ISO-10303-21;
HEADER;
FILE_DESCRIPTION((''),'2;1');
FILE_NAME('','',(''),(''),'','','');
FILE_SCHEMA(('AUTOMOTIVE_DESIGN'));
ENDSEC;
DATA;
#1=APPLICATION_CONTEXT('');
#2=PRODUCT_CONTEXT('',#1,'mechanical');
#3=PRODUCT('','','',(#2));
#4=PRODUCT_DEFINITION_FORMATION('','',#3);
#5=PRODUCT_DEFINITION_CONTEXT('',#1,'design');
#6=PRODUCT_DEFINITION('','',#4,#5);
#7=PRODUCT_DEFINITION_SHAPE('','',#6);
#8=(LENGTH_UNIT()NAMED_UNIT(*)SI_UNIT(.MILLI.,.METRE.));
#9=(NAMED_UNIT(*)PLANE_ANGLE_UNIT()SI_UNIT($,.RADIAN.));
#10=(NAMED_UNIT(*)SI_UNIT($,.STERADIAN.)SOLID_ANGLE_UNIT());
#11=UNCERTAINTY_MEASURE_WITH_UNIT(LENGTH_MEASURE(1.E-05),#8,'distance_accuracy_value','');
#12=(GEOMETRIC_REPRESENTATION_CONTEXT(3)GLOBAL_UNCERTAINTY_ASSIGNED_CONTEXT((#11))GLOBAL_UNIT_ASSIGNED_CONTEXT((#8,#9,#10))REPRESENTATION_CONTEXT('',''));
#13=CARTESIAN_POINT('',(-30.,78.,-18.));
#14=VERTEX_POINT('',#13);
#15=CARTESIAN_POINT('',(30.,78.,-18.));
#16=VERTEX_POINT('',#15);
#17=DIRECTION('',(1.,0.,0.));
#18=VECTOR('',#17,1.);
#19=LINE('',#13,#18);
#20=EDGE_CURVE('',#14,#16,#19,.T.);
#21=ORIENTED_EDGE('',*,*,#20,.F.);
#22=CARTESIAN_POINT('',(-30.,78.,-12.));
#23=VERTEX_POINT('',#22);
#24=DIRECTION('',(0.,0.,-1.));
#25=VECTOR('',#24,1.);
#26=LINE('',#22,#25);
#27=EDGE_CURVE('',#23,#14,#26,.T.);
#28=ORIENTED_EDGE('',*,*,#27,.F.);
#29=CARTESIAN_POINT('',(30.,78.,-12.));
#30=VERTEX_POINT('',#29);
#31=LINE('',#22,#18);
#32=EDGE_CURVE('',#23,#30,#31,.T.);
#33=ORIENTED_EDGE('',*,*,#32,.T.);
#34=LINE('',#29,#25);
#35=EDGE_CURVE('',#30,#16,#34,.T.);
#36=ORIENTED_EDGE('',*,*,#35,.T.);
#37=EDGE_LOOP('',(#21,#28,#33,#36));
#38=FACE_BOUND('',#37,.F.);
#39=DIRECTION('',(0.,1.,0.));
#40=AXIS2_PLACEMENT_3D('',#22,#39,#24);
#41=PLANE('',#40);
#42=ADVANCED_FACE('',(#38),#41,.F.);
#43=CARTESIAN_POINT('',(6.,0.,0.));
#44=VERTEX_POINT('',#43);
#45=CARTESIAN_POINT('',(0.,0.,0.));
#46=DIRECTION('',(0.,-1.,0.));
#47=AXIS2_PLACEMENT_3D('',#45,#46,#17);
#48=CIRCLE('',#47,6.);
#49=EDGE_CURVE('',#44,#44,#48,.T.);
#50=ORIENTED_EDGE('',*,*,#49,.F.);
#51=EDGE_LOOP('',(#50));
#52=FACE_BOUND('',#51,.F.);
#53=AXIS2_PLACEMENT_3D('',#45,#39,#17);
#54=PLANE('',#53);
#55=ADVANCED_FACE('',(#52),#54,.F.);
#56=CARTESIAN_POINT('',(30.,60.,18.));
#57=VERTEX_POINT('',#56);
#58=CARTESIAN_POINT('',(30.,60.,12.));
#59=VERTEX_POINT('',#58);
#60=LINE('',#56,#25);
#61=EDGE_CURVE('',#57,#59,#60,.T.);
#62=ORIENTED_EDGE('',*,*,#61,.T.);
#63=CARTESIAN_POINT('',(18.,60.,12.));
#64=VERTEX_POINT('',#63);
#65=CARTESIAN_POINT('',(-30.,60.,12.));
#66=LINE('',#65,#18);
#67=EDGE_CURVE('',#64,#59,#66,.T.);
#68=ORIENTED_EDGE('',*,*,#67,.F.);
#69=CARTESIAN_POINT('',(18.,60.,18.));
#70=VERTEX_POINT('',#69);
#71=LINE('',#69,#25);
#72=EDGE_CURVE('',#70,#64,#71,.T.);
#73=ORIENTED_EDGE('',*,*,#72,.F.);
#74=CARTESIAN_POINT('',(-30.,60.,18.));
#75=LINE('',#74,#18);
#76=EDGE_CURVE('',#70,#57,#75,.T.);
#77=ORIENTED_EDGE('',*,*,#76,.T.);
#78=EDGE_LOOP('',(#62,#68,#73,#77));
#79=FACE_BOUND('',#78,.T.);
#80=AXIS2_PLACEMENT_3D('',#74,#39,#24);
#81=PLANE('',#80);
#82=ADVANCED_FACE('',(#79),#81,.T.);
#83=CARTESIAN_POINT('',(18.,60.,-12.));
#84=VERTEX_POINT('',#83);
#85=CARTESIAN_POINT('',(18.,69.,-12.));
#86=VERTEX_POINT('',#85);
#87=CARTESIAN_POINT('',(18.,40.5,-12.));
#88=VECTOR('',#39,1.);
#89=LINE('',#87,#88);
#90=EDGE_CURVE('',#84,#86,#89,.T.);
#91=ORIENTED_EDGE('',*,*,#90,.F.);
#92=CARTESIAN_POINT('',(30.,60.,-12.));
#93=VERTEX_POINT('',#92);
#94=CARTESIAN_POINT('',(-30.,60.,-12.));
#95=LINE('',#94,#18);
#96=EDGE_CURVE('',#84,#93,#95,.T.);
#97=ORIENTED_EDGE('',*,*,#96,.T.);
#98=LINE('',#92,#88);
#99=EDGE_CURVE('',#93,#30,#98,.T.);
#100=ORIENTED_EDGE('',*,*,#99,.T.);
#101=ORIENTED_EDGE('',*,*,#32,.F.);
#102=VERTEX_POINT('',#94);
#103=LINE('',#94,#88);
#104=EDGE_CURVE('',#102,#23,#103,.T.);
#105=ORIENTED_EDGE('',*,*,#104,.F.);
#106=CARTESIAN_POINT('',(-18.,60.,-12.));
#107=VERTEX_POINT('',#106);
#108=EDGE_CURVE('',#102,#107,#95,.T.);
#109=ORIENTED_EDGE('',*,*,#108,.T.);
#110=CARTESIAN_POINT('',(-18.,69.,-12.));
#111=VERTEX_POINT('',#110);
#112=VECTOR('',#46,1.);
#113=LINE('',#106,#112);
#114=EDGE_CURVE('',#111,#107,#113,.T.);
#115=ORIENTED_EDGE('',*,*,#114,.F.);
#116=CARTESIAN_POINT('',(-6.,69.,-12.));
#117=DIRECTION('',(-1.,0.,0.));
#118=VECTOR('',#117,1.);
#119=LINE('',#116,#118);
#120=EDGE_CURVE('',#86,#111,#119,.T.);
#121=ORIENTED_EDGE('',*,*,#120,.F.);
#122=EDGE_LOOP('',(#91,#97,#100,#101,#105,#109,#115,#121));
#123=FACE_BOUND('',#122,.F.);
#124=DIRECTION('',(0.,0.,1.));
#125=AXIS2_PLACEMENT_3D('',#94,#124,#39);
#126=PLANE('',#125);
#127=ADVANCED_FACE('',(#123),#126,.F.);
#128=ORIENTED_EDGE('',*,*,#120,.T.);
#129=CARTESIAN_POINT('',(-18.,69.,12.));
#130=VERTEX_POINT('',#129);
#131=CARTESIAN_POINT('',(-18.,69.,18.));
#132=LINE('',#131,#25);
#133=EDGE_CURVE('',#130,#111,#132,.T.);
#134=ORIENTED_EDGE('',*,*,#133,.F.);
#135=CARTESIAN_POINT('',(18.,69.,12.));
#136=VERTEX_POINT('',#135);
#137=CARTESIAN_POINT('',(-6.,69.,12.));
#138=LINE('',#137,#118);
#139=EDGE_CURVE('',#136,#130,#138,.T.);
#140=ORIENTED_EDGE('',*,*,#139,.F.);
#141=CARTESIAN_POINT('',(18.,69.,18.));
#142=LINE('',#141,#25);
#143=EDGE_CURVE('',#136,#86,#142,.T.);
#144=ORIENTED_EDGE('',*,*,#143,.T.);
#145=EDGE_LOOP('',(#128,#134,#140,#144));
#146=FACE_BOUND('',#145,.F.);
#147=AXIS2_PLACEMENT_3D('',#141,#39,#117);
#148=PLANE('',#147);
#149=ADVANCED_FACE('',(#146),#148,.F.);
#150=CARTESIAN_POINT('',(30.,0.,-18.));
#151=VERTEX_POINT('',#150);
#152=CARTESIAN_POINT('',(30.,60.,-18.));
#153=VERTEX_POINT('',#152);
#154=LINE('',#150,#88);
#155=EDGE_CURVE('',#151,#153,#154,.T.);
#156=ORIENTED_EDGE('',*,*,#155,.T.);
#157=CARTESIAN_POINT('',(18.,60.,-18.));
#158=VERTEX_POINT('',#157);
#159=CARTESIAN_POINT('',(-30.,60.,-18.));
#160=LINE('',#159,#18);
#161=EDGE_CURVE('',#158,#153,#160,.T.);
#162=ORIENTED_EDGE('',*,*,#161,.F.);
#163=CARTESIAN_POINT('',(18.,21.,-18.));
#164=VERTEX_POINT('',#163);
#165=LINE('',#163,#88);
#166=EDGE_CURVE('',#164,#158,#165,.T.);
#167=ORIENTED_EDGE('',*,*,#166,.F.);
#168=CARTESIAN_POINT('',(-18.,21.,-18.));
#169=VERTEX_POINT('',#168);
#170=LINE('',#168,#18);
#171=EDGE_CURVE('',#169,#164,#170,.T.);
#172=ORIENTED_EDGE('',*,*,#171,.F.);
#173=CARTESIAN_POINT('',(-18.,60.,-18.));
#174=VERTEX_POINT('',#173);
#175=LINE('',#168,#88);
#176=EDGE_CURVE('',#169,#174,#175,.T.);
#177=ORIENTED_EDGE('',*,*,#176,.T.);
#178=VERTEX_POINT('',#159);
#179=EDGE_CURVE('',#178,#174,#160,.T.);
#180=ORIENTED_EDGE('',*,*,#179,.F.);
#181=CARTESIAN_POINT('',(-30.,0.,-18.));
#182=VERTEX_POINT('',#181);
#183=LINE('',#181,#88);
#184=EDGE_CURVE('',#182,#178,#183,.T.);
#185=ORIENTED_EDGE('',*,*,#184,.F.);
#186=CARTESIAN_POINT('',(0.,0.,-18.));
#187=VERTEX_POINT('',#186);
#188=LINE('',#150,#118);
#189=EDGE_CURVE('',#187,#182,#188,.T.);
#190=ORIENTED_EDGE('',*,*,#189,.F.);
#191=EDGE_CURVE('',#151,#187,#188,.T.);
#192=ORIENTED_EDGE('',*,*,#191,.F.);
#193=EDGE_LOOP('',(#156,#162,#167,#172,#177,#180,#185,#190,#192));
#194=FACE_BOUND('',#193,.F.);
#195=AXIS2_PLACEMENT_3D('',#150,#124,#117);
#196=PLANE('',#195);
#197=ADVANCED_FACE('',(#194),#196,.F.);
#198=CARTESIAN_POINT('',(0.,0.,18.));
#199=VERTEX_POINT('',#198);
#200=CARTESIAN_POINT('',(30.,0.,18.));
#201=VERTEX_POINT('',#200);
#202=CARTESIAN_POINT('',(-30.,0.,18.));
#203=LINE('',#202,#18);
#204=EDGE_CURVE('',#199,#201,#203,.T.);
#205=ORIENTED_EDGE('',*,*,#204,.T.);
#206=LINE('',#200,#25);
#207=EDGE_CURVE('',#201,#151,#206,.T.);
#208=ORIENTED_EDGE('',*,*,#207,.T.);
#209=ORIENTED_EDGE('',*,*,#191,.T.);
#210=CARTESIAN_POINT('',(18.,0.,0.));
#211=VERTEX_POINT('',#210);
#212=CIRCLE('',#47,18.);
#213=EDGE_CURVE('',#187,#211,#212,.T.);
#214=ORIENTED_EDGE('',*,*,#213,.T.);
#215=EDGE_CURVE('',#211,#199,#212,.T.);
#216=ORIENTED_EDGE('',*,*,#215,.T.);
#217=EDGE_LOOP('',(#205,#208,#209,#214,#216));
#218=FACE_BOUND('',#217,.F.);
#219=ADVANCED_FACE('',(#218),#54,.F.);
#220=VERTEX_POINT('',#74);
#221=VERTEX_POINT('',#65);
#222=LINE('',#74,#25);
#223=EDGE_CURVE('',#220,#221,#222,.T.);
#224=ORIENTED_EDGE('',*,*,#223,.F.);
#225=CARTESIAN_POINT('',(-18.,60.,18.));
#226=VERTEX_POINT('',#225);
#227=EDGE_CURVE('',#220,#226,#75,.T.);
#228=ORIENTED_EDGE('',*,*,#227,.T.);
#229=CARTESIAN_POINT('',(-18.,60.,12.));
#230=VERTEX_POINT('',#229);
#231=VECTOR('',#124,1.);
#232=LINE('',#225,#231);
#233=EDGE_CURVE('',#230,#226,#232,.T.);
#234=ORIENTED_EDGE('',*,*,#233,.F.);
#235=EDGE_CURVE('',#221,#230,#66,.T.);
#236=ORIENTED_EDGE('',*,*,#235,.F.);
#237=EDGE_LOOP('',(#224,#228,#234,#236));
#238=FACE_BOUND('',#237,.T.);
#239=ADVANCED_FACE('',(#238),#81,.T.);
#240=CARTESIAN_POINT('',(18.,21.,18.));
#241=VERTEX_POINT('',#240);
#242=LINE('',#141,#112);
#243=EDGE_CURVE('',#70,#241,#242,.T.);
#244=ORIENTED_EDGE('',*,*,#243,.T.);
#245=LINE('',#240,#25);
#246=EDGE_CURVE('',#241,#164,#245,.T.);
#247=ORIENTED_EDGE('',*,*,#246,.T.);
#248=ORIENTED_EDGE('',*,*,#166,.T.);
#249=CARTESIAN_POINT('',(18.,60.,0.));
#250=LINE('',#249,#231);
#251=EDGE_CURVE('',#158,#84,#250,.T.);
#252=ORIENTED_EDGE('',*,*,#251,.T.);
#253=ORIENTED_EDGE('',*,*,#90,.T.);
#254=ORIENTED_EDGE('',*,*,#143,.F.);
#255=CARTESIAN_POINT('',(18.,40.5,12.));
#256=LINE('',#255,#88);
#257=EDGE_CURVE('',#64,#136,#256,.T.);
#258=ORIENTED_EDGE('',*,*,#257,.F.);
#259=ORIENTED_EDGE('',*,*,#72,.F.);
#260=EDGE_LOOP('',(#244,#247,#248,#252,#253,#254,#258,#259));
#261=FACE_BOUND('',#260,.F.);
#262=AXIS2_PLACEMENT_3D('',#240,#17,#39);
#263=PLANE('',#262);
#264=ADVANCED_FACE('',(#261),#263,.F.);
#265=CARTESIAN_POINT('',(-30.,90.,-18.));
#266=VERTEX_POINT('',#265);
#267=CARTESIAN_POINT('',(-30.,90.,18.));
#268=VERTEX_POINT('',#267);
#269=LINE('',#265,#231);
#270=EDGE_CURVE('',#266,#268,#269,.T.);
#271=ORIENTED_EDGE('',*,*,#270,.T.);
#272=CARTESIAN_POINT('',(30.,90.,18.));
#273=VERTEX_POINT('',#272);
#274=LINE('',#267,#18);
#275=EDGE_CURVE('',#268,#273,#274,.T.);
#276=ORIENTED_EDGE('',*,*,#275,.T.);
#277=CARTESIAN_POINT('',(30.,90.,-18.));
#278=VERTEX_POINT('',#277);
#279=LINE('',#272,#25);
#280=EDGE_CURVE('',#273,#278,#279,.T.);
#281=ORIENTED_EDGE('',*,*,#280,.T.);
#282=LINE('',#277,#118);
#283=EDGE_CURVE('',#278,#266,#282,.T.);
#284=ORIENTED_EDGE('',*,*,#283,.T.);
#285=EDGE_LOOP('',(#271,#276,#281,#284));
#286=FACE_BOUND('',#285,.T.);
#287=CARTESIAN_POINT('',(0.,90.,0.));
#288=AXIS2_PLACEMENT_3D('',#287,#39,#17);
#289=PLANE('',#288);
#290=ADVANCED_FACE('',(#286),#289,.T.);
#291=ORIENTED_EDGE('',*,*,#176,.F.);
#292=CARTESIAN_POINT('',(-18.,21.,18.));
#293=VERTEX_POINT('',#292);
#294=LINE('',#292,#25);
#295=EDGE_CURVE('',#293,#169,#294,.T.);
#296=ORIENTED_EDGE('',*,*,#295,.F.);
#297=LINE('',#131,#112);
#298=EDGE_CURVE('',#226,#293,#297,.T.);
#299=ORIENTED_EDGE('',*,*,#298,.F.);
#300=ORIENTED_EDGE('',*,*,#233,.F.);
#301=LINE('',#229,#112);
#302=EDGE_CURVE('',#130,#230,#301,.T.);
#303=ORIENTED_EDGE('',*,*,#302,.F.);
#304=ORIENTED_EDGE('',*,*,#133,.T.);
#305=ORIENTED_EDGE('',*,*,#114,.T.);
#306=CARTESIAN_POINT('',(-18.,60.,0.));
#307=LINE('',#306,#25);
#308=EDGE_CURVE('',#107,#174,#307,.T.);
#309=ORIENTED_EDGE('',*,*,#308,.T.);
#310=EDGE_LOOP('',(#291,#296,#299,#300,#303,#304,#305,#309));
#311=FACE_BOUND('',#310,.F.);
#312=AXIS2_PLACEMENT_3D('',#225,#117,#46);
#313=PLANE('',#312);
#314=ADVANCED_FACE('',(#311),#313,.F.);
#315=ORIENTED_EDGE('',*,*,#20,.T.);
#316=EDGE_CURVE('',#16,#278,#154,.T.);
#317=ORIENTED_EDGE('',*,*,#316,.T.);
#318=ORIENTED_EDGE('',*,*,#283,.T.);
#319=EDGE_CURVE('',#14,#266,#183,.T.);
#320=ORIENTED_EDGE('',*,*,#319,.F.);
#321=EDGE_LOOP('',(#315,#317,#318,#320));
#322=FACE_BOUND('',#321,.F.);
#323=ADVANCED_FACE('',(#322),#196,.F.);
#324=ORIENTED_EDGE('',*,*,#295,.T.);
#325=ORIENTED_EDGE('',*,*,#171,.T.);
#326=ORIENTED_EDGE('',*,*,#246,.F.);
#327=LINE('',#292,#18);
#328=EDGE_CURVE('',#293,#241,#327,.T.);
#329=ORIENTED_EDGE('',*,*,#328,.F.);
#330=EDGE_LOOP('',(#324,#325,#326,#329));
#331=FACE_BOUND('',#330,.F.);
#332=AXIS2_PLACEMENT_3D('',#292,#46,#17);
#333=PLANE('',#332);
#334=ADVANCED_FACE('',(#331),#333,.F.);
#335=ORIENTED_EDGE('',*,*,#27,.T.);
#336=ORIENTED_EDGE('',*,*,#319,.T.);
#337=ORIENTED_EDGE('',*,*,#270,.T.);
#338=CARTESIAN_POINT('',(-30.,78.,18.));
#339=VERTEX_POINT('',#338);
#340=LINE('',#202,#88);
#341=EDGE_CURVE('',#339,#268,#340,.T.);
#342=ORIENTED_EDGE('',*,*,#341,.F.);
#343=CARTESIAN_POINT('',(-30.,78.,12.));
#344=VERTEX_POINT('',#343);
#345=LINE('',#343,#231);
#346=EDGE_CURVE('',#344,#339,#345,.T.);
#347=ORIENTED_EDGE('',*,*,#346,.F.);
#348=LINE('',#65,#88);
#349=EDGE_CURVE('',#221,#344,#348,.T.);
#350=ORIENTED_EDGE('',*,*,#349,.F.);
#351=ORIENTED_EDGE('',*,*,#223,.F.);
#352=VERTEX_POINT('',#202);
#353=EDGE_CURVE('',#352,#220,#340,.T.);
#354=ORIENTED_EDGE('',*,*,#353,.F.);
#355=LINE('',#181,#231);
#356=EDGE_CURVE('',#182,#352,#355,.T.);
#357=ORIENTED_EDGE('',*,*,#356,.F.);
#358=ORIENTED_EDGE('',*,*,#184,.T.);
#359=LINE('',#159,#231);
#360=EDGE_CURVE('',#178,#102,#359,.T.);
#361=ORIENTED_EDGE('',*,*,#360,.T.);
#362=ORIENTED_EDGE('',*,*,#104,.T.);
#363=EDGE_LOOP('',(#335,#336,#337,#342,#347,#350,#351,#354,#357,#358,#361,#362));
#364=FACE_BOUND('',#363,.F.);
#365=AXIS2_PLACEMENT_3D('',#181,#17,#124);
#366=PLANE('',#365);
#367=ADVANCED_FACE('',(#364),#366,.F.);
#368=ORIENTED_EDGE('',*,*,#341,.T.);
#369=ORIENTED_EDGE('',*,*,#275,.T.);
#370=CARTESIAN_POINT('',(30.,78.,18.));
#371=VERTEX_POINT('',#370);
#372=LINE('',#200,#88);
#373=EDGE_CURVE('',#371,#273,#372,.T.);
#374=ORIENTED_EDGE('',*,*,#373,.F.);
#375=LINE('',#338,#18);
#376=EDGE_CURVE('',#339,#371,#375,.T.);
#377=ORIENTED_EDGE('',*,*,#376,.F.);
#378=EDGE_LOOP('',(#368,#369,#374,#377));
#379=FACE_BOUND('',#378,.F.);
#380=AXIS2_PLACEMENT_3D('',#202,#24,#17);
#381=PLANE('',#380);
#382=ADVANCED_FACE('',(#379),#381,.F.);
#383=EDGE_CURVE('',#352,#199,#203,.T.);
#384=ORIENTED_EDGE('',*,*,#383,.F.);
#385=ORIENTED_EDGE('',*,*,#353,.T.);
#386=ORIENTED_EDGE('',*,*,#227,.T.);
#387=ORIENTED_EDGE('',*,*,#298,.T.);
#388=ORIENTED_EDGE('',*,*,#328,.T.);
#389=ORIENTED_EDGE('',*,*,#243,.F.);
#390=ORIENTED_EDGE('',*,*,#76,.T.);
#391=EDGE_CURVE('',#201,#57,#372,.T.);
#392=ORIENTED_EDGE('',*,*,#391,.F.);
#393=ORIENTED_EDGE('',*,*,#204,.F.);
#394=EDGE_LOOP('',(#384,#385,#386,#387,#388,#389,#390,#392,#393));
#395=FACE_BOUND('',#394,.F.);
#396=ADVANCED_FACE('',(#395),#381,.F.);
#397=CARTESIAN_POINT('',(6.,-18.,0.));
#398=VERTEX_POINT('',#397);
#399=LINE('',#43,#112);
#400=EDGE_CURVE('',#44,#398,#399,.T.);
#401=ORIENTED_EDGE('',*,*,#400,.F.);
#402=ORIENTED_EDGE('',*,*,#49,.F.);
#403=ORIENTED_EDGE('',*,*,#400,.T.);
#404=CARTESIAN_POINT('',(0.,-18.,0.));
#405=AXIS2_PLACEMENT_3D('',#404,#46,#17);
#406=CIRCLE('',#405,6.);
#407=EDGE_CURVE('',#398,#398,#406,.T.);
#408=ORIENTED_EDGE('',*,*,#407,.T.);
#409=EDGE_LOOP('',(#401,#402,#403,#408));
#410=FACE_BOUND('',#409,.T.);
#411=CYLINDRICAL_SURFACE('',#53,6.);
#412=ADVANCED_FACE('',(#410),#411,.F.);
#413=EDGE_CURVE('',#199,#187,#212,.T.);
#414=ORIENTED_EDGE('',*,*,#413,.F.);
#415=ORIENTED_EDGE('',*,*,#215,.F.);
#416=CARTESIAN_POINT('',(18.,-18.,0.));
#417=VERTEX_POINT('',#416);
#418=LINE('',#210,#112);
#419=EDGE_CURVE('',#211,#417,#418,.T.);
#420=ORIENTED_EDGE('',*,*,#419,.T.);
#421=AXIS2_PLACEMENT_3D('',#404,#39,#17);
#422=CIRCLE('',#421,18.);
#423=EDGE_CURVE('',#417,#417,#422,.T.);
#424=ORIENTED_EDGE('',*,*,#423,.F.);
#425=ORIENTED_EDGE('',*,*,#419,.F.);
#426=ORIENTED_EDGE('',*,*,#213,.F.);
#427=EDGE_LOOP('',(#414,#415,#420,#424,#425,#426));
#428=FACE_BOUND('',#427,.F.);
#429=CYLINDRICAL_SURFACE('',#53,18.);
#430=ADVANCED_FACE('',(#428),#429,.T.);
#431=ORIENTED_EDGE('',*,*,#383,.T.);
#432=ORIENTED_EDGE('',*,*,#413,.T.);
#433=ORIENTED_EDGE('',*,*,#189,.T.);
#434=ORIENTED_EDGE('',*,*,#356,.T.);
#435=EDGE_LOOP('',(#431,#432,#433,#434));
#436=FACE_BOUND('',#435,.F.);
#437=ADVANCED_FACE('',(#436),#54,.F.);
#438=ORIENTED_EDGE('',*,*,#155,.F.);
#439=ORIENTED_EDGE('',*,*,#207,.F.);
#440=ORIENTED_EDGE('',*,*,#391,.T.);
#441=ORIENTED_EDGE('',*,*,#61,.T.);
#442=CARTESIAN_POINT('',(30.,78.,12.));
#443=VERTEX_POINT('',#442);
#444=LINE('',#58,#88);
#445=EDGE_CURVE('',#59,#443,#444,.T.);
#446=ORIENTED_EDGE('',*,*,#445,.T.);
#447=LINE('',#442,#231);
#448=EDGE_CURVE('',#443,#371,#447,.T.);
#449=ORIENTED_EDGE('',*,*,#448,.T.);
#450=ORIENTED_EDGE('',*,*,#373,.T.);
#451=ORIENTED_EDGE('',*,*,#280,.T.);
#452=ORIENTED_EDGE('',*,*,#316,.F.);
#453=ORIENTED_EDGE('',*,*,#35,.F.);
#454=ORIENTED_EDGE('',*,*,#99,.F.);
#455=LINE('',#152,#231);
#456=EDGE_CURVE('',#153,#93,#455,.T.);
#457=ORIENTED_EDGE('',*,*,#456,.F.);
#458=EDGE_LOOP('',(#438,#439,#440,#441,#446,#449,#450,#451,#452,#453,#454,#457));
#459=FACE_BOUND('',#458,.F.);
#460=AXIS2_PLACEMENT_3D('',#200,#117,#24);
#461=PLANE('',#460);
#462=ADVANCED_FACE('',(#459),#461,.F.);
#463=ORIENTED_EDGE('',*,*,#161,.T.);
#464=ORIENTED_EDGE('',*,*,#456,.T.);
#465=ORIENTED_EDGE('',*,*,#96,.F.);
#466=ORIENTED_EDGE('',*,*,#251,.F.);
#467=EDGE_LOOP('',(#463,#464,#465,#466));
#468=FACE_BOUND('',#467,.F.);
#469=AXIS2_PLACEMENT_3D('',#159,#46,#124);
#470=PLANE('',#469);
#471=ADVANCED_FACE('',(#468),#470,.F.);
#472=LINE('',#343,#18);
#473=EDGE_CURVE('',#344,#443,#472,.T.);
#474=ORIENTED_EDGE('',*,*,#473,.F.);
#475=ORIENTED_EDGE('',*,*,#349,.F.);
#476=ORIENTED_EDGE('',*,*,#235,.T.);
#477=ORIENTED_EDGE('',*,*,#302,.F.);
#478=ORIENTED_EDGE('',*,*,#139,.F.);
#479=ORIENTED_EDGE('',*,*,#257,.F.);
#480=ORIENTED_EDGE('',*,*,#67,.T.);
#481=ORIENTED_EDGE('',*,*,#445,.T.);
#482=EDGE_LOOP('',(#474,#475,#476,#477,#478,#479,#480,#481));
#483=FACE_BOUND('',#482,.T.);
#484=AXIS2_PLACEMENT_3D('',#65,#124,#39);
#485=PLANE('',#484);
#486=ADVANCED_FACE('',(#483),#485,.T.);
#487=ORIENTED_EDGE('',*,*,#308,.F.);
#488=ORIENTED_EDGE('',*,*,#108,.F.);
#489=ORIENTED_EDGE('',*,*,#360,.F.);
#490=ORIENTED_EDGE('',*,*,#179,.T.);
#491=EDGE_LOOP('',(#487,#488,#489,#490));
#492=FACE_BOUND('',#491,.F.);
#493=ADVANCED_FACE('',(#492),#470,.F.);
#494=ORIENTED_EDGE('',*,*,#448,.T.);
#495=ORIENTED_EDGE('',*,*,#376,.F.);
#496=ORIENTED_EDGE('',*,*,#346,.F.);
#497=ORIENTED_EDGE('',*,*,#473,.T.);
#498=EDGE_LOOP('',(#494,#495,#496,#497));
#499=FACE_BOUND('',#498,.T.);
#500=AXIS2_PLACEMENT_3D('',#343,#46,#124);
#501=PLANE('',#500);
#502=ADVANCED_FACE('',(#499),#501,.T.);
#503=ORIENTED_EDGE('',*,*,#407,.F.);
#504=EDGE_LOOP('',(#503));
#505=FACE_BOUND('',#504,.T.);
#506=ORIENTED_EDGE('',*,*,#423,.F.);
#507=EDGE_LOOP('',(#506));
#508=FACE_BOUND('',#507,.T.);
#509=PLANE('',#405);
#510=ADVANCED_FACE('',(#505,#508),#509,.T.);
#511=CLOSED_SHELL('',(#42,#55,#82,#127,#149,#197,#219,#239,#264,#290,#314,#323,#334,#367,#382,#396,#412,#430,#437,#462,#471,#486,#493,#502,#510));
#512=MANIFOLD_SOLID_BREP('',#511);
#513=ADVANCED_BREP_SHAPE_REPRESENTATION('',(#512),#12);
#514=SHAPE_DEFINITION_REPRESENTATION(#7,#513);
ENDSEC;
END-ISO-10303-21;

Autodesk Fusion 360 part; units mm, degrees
sketch "Sketch1" plane through (0, 0, 0) normal (0, 1, 0) x (1, 0, 0)
  line L0 (30, 18) -> (-30, 18)
  line L1 (-30, 18) -> (-30, -18)
  line L2 (-30, -18) -> (30, -18)
  line L3 (30, -18) -> (30, 18)
extrude "Extrude1" add sketch "Sketch1" along normal blind 90
sketch "Sketch2" plane through (0, 0, 0) normal (0, -1, 0) x (1, 0, 0)
  line L0 (30, -18) -> (30, 18)
  line L1 (30, 18) -> (-30, 18)
  line L2 (-30, 18) -> (-30, -18)
  line L3 (-30, -18) -> (30, -18)
  circle A0 centre (0, 0) radius 18
  circle A1 centre (0, 0) radius 6
  dimension "d5" = 12
extrude "Extrude2" add sketch "Sketch2" along normal blind 18 contours A0
thread "Thread1" thread offset 0 thread length 10
sketch "Sketch3" plane through (-30, 0, 0) normal (-1, 0, 0) x (0, -1, 0)
  line L0 (0, -18) -> (0, 18)
  line L1 (0, 18) -> (-90, 18)
  line L2 (-90, 18) -> (-90, -18)
  line L3 (-90, -18) -> (0, -18)
  line L4 (-78, -18) -> (-60, -18)
  line L5 (-60, -18) -> (-60, -12)
  line L6 (-60, -12) -> (-78, -12)
  line L7 (-78, -12) -> (-78, -18)
extrude "Extrude3" cut sketch "Sketch3" against normal blind 60 contours L3 L4 L5 L6 L7
sketch "Sketch4" plane through (-30, 0, 0) normal (-1, 0, 0) x (0, -1, 0)
  line L0 (-78, -18) -> (-78, -12)
  line L1 (-78, -12) -> (-60, -12)
  line L2 (-60, -12) -> (-60, -18)
  line L3 (-60, -18) -> (0, -18)
  line L4 (0, -18) -> (0, 18)
  line L5 (0, 18) -> (-90, 18)
  line L6 (-90, 18) -> (-90, -18)
  line L7 (-90, -18) -> (-78, -18)
  line L8 (-78, 18) -> (-60, 18)
  line L9 (-60, 18) -> (-60, 12)
  line L10 (-60, 12) -> (-78, 12)
  line L11 (-78, 12) -> (-78, 18)
extrude "Extrude4" cut sketch "Sketch4" against normal blind 60 contours L5 L8 L9 L10 L11
sketch "Sketch5" plane through (0, 0, 18) normal (0, 0, 1) x (-1, 0, 0)
  line L0 (-30, -60) -> (30, -60)
  line L1 (30, -60) -> (30, 0)
  line L2 (30, 0) -> (0, 0)
  line L3 (0, 0) -> (-30, 0)
  line L4 (-30, 0) -> (-30, -60)
  line L5 (-30, 0) -> (-30, -21)
  line L6 (-18, -21) -> (-18, -69)
  line L7 (-18, -69) -> (18, -69)
  line L8 (18, -69) -> (18, -21)
  line L9 (18, -21) -> (-18, -21)
  dimension "d21" = 12
  dimension "d22" = 48
  dimension "d23" = 36
extrude "Extrude5" cut sketch "Sketch5" against normal blind 36 contours L0 L6 L8 L9 | L0 L6 L7 L8
